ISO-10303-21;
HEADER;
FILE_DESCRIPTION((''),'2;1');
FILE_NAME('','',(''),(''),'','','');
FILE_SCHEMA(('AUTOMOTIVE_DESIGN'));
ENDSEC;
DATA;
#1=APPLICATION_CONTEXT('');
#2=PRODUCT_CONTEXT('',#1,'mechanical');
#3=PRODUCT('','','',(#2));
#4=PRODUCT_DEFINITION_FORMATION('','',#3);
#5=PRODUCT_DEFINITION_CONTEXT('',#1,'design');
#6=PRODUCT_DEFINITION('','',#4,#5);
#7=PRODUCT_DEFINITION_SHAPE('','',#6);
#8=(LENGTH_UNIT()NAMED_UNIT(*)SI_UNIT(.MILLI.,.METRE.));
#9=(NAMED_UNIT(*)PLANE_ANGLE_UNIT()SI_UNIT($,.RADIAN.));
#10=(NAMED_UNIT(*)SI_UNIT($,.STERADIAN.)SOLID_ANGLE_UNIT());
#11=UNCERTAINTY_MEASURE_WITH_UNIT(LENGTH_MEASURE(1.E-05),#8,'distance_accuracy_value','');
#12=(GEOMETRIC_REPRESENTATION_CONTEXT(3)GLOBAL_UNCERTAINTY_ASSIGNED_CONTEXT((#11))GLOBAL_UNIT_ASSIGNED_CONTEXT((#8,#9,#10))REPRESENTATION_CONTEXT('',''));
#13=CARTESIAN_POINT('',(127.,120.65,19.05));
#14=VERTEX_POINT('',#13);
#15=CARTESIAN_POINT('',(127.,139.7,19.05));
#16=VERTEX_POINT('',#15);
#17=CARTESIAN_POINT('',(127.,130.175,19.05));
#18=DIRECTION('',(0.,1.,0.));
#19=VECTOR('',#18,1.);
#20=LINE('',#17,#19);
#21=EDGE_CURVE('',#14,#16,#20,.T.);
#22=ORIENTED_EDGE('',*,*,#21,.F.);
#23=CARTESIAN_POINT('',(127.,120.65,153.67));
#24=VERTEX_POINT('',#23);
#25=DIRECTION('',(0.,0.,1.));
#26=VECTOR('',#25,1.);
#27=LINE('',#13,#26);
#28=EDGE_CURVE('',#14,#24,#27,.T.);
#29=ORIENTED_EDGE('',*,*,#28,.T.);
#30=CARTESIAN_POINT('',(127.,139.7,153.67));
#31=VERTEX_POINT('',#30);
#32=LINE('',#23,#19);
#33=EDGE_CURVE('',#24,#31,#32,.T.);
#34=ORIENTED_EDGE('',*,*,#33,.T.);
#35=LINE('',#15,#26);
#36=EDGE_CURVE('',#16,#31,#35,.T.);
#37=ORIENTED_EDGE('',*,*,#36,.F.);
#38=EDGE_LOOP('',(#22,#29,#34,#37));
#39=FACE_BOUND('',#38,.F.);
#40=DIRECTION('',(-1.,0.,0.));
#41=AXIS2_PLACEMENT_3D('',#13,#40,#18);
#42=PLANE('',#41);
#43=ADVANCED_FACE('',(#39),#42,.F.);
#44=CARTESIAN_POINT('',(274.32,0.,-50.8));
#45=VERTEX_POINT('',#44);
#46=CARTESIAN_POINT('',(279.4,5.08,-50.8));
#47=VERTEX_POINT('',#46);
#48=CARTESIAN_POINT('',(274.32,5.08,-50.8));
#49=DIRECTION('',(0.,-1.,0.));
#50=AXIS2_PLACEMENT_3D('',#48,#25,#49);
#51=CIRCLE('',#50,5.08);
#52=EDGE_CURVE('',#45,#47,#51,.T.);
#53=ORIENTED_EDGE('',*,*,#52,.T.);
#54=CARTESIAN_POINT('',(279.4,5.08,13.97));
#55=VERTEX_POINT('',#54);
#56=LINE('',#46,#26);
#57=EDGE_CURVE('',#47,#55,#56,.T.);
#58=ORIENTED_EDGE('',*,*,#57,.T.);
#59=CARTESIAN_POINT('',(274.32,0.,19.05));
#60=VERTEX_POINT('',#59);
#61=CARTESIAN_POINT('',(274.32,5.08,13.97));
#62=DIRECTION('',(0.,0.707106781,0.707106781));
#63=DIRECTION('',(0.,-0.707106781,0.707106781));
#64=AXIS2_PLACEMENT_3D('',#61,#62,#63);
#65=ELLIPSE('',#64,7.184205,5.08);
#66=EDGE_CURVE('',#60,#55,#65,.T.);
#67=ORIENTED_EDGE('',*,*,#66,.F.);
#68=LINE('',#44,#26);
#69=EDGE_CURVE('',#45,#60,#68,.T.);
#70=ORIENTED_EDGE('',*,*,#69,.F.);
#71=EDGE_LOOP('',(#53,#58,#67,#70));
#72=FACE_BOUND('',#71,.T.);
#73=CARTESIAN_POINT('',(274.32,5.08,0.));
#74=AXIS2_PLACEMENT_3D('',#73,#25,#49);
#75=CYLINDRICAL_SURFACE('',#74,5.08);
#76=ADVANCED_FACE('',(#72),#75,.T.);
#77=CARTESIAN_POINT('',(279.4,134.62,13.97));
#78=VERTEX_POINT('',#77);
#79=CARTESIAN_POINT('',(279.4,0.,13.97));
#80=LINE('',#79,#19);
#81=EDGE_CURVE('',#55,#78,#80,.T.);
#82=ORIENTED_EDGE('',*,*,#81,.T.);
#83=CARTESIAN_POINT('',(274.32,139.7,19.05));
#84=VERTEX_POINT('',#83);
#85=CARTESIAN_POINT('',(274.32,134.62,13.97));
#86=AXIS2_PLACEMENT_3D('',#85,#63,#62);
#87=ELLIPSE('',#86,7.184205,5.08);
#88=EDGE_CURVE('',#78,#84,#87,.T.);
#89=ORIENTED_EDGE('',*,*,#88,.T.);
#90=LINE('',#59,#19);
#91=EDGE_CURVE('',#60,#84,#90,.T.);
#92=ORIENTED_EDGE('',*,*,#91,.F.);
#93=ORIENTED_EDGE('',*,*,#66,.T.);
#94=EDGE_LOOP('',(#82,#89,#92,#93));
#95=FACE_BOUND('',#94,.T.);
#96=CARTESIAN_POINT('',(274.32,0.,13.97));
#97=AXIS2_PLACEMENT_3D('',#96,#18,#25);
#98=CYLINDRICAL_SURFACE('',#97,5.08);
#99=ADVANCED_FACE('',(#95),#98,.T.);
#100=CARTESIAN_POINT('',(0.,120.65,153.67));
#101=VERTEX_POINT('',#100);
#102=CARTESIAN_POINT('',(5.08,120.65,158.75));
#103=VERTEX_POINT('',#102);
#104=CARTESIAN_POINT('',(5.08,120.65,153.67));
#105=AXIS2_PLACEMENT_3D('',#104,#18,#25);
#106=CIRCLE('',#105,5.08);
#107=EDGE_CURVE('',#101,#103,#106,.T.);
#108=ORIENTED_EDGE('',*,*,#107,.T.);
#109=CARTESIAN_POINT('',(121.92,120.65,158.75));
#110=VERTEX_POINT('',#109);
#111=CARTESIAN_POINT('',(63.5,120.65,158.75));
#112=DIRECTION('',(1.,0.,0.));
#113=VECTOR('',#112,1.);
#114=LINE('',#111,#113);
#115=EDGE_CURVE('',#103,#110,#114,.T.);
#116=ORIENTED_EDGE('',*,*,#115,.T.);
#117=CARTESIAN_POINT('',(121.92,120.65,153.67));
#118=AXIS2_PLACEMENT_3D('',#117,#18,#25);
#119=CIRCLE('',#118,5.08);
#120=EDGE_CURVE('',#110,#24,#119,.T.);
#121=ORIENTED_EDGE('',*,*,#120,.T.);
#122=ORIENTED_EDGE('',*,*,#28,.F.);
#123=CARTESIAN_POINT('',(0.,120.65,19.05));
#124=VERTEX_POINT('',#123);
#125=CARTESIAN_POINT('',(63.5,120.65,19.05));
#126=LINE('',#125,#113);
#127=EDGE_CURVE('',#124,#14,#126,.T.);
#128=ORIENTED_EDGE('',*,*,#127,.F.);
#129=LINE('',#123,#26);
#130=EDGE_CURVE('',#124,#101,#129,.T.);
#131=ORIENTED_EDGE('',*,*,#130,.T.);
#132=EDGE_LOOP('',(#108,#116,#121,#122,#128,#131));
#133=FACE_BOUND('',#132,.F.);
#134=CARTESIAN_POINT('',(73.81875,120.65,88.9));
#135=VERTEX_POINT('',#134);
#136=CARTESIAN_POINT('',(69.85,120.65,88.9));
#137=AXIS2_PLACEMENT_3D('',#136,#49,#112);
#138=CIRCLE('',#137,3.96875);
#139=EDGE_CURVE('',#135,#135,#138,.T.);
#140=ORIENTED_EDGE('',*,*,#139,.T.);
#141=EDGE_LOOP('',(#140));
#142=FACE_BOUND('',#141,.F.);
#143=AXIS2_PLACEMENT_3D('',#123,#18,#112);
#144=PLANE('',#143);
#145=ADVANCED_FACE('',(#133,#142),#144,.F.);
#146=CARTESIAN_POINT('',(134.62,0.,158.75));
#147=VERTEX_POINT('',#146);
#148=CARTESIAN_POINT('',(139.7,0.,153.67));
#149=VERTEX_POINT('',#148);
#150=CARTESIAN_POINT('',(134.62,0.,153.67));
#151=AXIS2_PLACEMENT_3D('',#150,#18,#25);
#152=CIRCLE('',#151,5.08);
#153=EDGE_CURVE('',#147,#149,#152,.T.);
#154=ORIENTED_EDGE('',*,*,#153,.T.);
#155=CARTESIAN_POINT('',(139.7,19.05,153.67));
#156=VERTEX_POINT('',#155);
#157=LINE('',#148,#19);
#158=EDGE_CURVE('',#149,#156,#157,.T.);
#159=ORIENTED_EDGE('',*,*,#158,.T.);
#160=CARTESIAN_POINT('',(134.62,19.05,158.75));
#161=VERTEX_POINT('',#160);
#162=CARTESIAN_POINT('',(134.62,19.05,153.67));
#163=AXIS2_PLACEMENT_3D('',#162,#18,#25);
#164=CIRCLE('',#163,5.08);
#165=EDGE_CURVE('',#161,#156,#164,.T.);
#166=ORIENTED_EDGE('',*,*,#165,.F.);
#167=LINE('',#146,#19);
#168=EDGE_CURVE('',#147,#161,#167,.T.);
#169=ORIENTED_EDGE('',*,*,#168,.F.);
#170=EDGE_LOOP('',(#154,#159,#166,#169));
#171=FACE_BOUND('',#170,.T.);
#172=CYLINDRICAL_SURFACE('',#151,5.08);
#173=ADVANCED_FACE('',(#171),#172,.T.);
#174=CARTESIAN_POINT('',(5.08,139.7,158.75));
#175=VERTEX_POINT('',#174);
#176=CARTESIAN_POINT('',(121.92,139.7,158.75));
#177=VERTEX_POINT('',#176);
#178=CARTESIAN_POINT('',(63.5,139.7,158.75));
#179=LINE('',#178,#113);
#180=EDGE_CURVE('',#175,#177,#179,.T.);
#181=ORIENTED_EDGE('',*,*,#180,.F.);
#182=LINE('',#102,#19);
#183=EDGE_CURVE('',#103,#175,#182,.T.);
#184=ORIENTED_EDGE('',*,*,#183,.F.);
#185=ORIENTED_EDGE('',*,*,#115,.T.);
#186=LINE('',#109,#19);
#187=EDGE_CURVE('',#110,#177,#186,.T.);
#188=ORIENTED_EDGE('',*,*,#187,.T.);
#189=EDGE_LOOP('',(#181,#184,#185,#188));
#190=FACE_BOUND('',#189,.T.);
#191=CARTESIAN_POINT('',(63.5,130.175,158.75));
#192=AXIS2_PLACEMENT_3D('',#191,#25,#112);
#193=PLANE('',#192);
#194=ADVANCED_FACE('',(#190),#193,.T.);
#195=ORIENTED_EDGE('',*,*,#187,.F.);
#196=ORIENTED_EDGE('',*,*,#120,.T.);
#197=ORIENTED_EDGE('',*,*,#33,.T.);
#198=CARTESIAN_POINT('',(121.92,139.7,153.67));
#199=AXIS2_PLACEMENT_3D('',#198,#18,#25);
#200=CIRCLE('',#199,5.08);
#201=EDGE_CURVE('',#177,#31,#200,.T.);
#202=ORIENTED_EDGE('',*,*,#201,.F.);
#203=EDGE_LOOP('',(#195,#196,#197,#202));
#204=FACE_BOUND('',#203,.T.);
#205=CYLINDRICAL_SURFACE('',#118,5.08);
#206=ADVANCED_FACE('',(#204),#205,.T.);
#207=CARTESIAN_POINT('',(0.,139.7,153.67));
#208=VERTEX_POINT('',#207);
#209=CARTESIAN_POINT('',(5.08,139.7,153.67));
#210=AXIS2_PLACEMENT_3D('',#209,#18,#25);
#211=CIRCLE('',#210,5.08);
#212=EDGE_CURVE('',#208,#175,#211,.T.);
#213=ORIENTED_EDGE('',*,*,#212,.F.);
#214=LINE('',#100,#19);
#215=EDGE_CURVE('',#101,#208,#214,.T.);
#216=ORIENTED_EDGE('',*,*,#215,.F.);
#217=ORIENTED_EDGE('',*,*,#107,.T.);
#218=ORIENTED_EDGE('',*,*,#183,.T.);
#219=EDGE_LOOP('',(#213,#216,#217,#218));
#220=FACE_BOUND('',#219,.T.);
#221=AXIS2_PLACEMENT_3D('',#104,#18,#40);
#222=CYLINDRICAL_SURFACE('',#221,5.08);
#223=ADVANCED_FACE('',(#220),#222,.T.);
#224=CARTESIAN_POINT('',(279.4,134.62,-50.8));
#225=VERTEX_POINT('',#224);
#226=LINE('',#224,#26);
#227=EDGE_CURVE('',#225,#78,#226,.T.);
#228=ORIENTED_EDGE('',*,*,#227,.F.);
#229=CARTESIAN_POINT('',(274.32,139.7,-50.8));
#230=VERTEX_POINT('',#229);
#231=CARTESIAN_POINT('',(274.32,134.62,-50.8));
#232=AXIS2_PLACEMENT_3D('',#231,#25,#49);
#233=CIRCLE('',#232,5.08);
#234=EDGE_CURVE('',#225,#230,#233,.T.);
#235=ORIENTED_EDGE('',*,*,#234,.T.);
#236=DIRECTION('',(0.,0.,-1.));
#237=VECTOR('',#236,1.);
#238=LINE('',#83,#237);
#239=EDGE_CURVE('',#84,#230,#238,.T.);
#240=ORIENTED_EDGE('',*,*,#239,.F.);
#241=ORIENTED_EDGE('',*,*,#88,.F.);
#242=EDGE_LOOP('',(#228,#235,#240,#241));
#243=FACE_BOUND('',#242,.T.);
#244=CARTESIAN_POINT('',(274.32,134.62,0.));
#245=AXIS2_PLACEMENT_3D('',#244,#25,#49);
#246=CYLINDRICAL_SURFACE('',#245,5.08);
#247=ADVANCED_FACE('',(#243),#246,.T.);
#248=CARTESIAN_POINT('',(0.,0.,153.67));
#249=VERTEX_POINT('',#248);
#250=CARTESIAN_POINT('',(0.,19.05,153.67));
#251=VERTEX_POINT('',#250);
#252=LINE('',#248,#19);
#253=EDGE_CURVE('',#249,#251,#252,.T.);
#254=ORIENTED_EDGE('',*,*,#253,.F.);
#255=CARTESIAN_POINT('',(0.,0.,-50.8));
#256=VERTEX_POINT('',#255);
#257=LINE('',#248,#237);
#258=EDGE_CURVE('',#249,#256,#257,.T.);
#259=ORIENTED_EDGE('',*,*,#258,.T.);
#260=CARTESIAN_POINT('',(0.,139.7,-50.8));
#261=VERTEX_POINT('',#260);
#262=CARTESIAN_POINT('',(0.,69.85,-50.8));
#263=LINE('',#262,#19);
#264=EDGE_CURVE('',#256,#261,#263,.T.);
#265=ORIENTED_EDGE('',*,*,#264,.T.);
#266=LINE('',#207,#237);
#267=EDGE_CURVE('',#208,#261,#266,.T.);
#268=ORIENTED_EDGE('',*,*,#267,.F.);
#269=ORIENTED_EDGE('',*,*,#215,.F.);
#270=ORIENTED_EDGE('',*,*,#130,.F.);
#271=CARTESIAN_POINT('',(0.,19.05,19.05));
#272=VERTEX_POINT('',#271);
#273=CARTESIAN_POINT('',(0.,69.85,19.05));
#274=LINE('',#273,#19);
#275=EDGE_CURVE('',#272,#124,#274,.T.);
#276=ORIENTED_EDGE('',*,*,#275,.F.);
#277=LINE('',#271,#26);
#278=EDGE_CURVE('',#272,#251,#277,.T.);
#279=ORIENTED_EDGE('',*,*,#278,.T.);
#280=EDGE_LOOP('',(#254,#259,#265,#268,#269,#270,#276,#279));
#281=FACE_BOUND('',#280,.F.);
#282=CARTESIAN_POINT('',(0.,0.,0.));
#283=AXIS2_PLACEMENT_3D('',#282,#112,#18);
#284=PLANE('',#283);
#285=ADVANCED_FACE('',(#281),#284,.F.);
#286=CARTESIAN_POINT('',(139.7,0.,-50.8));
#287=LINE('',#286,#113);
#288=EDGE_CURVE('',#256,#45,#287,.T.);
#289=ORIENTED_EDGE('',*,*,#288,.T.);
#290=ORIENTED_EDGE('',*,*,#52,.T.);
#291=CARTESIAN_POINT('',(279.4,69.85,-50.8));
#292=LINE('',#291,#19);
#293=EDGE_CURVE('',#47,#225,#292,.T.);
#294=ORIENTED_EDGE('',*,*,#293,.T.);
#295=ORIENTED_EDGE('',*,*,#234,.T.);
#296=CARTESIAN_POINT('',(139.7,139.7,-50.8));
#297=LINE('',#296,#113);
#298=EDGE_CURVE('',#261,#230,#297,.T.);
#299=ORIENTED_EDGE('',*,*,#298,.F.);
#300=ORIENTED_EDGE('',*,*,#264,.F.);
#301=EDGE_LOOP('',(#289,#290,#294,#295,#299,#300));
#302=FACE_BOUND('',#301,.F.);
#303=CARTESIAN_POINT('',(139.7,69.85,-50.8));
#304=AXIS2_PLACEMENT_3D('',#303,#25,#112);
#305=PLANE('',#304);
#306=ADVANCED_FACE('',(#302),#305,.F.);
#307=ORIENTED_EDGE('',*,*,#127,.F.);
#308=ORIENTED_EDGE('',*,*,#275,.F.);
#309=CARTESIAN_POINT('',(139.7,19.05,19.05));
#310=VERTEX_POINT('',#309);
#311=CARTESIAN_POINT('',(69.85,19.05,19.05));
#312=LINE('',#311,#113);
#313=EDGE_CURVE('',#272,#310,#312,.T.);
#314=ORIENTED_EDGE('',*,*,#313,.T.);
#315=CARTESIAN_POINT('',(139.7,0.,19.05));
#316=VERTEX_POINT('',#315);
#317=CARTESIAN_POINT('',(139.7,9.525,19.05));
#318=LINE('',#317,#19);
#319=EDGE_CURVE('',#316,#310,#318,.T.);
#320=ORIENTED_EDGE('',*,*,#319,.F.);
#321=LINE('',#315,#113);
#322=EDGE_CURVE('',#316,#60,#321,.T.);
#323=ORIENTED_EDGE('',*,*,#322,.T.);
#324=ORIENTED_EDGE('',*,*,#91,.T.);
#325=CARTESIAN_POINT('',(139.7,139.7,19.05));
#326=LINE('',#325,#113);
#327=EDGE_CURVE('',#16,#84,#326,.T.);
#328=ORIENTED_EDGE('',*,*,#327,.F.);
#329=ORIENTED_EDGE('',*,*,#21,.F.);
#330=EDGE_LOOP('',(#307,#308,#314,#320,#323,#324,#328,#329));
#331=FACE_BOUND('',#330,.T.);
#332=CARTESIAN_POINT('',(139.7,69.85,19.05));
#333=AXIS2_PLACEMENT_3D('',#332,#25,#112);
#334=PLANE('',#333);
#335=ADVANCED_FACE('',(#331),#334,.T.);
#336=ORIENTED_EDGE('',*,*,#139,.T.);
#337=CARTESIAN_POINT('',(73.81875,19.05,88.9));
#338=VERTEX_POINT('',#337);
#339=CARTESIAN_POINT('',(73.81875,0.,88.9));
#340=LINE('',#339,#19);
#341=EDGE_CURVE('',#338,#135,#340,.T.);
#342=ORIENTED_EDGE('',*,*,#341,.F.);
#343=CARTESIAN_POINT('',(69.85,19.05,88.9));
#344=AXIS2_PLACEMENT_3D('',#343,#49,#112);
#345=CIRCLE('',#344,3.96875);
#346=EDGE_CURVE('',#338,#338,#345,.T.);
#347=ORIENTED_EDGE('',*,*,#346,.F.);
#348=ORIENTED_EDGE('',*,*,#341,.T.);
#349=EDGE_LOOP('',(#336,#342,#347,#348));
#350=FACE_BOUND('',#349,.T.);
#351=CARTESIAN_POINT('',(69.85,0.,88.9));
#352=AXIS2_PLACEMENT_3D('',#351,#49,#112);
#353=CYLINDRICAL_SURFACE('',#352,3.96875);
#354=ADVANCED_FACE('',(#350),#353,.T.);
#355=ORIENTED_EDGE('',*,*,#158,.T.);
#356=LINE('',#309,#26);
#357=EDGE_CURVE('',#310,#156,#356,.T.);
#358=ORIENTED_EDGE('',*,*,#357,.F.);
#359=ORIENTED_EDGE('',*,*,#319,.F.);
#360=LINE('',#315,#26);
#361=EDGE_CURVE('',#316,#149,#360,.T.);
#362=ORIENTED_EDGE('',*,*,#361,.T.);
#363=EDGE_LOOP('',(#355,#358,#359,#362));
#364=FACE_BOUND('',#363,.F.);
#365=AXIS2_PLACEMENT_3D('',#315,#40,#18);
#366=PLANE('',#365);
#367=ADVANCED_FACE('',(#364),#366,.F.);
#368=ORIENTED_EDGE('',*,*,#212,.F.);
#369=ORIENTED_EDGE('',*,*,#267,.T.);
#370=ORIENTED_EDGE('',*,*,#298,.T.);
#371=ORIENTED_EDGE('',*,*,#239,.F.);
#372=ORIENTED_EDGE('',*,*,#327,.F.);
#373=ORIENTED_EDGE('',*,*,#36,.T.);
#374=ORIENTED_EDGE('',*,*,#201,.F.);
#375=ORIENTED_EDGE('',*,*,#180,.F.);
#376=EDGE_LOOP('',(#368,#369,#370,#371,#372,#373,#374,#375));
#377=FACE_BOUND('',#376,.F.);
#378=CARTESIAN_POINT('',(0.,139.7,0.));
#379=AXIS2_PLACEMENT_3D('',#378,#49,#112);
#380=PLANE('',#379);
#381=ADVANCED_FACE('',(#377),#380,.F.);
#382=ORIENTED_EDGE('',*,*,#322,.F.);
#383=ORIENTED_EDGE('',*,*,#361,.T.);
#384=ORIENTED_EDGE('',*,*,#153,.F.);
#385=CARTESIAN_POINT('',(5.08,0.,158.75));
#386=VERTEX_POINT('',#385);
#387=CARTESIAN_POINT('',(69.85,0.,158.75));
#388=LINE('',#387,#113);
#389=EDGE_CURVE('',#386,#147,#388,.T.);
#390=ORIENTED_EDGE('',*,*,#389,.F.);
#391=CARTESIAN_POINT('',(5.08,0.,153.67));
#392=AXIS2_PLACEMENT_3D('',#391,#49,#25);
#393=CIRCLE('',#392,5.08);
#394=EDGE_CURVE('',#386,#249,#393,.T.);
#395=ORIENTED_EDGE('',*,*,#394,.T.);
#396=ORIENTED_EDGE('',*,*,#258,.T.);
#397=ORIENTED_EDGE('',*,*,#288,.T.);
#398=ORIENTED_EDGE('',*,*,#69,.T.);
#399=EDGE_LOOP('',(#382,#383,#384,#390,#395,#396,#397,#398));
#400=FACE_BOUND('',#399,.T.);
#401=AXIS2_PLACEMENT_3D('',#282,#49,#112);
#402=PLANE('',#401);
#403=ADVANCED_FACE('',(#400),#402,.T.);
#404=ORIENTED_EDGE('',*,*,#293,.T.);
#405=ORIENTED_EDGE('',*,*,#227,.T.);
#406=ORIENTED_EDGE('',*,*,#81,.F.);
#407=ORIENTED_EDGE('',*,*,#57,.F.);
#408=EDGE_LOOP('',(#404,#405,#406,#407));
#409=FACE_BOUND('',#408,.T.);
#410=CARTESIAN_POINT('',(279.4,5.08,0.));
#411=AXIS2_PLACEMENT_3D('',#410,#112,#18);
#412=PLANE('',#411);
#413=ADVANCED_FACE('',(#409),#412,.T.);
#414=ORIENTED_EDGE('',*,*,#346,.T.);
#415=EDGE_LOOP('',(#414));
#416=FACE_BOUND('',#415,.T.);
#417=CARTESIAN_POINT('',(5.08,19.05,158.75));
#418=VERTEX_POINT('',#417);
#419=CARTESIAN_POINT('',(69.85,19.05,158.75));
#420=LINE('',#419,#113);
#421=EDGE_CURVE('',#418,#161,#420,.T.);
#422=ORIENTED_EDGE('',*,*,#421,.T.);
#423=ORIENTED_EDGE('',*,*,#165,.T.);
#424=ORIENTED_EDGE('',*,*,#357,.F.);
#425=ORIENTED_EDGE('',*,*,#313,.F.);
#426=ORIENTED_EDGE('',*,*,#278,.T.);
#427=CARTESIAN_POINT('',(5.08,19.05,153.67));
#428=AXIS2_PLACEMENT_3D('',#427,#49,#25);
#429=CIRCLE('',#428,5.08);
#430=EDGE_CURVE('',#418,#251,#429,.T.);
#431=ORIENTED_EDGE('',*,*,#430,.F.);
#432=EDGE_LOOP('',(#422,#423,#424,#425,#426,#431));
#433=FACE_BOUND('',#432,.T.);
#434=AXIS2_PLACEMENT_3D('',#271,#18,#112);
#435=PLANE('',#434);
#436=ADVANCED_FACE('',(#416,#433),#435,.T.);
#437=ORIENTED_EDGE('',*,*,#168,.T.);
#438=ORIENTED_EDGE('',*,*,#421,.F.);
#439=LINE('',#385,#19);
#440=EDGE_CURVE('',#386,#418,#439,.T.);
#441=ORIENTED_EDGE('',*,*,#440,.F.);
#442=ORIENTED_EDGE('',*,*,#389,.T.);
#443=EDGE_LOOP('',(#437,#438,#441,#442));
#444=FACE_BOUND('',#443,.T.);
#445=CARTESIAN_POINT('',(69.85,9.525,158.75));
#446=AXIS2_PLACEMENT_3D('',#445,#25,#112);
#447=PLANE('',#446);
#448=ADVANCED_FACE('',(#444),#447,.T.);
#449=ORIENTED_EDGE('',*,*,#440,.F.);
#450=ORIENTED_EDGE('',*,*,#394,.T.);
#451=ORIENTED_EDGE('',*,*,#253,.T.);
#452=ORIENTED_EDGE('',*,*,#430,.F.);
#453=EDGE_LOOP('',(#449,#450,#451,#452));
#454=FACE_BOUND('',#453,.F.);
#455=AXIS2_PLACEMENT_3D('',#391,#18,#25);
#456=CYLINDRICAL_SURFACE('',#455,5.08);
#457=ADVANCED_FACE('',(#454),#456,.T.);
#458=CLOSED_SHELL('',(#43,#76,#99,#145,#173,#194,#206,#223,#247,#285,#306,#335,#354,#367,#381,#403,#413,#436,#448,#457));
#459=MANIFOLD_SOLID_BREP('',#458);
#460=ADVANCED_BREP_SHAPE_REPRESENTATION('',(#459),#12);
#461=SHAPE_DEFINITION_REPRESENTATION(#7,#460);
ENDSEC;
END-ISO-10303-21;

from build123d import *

# Parameters (mm, degrees)
F0_W     = 279.4
F0_H     = 139.7
F1_DEPTH = 19.05
F2_W     = 127
F2_H     = 19.05
F3_DEPTH = 139.7
F4_W     = 139.7
F4_H     = 19.05
F5_DEPTH = 139.7
F6_R     = 3.96875
F7_DEPTH = 139.7
F8_R     = 5.08
F9_DEPTH = 50.8


with BuildPart() as f1:
    # F0 (on Top) → F1 (new body)
    with BuildSketch(Plane.XY):
        with Locations((139.7, 69.85)):
            Rectangle(F0_W, F0_H)
    extrude(amount=F1_DEPTH)

    # F2 (on face) → F3 (join)
    with BuildSketch(Plane.XY.offset(19.05)):
        with Locations((63.5, 130.175)):
            Rectangle(F2_W, F2_H)
    extrude(amount=F3_DEPTH)

    # F4 (on face) → F5 (join)
    with BuildSketch(Plane.XY.offset(19.05)):
        with Locations((69.85, 9.525)):
            Rectangle(F4_W, F4_H)
    extrude(amount=F5_DEPTH)

    # F6 (on face) → F7 (join, through all)
    with BuildSketch(Plane.XZ):
        with Locations((69.85, 88.9)):
            Circle(F6_R)
    extrude(amount=-F7_DEPTH)

    # F8
    f8_edges = [f1.edges().sort_by_distance(p)[0] for p in [
        (139.7, 9.525, 158.75),
        (0, 9.525, 158.75),
        (0, 130.175, 158.75),
        (127, 130.175, 158.75),
        (279.4, 0, 9.525),
        (279.4, 139.7, 9.525),
        (279.4, 69.85, 19.05),
    ]]
    fillet(f8_edges, radius=F8_R)

    # F9 (add): a face of the model
    f9_faces = [f1.faces().sort_by_distance(p)[0] for p in [
        (139.6606680243, 69.85, 0),
    ]]
    extrude(f9_faces, amount=F9_DEPTH)


solid = f1.part
